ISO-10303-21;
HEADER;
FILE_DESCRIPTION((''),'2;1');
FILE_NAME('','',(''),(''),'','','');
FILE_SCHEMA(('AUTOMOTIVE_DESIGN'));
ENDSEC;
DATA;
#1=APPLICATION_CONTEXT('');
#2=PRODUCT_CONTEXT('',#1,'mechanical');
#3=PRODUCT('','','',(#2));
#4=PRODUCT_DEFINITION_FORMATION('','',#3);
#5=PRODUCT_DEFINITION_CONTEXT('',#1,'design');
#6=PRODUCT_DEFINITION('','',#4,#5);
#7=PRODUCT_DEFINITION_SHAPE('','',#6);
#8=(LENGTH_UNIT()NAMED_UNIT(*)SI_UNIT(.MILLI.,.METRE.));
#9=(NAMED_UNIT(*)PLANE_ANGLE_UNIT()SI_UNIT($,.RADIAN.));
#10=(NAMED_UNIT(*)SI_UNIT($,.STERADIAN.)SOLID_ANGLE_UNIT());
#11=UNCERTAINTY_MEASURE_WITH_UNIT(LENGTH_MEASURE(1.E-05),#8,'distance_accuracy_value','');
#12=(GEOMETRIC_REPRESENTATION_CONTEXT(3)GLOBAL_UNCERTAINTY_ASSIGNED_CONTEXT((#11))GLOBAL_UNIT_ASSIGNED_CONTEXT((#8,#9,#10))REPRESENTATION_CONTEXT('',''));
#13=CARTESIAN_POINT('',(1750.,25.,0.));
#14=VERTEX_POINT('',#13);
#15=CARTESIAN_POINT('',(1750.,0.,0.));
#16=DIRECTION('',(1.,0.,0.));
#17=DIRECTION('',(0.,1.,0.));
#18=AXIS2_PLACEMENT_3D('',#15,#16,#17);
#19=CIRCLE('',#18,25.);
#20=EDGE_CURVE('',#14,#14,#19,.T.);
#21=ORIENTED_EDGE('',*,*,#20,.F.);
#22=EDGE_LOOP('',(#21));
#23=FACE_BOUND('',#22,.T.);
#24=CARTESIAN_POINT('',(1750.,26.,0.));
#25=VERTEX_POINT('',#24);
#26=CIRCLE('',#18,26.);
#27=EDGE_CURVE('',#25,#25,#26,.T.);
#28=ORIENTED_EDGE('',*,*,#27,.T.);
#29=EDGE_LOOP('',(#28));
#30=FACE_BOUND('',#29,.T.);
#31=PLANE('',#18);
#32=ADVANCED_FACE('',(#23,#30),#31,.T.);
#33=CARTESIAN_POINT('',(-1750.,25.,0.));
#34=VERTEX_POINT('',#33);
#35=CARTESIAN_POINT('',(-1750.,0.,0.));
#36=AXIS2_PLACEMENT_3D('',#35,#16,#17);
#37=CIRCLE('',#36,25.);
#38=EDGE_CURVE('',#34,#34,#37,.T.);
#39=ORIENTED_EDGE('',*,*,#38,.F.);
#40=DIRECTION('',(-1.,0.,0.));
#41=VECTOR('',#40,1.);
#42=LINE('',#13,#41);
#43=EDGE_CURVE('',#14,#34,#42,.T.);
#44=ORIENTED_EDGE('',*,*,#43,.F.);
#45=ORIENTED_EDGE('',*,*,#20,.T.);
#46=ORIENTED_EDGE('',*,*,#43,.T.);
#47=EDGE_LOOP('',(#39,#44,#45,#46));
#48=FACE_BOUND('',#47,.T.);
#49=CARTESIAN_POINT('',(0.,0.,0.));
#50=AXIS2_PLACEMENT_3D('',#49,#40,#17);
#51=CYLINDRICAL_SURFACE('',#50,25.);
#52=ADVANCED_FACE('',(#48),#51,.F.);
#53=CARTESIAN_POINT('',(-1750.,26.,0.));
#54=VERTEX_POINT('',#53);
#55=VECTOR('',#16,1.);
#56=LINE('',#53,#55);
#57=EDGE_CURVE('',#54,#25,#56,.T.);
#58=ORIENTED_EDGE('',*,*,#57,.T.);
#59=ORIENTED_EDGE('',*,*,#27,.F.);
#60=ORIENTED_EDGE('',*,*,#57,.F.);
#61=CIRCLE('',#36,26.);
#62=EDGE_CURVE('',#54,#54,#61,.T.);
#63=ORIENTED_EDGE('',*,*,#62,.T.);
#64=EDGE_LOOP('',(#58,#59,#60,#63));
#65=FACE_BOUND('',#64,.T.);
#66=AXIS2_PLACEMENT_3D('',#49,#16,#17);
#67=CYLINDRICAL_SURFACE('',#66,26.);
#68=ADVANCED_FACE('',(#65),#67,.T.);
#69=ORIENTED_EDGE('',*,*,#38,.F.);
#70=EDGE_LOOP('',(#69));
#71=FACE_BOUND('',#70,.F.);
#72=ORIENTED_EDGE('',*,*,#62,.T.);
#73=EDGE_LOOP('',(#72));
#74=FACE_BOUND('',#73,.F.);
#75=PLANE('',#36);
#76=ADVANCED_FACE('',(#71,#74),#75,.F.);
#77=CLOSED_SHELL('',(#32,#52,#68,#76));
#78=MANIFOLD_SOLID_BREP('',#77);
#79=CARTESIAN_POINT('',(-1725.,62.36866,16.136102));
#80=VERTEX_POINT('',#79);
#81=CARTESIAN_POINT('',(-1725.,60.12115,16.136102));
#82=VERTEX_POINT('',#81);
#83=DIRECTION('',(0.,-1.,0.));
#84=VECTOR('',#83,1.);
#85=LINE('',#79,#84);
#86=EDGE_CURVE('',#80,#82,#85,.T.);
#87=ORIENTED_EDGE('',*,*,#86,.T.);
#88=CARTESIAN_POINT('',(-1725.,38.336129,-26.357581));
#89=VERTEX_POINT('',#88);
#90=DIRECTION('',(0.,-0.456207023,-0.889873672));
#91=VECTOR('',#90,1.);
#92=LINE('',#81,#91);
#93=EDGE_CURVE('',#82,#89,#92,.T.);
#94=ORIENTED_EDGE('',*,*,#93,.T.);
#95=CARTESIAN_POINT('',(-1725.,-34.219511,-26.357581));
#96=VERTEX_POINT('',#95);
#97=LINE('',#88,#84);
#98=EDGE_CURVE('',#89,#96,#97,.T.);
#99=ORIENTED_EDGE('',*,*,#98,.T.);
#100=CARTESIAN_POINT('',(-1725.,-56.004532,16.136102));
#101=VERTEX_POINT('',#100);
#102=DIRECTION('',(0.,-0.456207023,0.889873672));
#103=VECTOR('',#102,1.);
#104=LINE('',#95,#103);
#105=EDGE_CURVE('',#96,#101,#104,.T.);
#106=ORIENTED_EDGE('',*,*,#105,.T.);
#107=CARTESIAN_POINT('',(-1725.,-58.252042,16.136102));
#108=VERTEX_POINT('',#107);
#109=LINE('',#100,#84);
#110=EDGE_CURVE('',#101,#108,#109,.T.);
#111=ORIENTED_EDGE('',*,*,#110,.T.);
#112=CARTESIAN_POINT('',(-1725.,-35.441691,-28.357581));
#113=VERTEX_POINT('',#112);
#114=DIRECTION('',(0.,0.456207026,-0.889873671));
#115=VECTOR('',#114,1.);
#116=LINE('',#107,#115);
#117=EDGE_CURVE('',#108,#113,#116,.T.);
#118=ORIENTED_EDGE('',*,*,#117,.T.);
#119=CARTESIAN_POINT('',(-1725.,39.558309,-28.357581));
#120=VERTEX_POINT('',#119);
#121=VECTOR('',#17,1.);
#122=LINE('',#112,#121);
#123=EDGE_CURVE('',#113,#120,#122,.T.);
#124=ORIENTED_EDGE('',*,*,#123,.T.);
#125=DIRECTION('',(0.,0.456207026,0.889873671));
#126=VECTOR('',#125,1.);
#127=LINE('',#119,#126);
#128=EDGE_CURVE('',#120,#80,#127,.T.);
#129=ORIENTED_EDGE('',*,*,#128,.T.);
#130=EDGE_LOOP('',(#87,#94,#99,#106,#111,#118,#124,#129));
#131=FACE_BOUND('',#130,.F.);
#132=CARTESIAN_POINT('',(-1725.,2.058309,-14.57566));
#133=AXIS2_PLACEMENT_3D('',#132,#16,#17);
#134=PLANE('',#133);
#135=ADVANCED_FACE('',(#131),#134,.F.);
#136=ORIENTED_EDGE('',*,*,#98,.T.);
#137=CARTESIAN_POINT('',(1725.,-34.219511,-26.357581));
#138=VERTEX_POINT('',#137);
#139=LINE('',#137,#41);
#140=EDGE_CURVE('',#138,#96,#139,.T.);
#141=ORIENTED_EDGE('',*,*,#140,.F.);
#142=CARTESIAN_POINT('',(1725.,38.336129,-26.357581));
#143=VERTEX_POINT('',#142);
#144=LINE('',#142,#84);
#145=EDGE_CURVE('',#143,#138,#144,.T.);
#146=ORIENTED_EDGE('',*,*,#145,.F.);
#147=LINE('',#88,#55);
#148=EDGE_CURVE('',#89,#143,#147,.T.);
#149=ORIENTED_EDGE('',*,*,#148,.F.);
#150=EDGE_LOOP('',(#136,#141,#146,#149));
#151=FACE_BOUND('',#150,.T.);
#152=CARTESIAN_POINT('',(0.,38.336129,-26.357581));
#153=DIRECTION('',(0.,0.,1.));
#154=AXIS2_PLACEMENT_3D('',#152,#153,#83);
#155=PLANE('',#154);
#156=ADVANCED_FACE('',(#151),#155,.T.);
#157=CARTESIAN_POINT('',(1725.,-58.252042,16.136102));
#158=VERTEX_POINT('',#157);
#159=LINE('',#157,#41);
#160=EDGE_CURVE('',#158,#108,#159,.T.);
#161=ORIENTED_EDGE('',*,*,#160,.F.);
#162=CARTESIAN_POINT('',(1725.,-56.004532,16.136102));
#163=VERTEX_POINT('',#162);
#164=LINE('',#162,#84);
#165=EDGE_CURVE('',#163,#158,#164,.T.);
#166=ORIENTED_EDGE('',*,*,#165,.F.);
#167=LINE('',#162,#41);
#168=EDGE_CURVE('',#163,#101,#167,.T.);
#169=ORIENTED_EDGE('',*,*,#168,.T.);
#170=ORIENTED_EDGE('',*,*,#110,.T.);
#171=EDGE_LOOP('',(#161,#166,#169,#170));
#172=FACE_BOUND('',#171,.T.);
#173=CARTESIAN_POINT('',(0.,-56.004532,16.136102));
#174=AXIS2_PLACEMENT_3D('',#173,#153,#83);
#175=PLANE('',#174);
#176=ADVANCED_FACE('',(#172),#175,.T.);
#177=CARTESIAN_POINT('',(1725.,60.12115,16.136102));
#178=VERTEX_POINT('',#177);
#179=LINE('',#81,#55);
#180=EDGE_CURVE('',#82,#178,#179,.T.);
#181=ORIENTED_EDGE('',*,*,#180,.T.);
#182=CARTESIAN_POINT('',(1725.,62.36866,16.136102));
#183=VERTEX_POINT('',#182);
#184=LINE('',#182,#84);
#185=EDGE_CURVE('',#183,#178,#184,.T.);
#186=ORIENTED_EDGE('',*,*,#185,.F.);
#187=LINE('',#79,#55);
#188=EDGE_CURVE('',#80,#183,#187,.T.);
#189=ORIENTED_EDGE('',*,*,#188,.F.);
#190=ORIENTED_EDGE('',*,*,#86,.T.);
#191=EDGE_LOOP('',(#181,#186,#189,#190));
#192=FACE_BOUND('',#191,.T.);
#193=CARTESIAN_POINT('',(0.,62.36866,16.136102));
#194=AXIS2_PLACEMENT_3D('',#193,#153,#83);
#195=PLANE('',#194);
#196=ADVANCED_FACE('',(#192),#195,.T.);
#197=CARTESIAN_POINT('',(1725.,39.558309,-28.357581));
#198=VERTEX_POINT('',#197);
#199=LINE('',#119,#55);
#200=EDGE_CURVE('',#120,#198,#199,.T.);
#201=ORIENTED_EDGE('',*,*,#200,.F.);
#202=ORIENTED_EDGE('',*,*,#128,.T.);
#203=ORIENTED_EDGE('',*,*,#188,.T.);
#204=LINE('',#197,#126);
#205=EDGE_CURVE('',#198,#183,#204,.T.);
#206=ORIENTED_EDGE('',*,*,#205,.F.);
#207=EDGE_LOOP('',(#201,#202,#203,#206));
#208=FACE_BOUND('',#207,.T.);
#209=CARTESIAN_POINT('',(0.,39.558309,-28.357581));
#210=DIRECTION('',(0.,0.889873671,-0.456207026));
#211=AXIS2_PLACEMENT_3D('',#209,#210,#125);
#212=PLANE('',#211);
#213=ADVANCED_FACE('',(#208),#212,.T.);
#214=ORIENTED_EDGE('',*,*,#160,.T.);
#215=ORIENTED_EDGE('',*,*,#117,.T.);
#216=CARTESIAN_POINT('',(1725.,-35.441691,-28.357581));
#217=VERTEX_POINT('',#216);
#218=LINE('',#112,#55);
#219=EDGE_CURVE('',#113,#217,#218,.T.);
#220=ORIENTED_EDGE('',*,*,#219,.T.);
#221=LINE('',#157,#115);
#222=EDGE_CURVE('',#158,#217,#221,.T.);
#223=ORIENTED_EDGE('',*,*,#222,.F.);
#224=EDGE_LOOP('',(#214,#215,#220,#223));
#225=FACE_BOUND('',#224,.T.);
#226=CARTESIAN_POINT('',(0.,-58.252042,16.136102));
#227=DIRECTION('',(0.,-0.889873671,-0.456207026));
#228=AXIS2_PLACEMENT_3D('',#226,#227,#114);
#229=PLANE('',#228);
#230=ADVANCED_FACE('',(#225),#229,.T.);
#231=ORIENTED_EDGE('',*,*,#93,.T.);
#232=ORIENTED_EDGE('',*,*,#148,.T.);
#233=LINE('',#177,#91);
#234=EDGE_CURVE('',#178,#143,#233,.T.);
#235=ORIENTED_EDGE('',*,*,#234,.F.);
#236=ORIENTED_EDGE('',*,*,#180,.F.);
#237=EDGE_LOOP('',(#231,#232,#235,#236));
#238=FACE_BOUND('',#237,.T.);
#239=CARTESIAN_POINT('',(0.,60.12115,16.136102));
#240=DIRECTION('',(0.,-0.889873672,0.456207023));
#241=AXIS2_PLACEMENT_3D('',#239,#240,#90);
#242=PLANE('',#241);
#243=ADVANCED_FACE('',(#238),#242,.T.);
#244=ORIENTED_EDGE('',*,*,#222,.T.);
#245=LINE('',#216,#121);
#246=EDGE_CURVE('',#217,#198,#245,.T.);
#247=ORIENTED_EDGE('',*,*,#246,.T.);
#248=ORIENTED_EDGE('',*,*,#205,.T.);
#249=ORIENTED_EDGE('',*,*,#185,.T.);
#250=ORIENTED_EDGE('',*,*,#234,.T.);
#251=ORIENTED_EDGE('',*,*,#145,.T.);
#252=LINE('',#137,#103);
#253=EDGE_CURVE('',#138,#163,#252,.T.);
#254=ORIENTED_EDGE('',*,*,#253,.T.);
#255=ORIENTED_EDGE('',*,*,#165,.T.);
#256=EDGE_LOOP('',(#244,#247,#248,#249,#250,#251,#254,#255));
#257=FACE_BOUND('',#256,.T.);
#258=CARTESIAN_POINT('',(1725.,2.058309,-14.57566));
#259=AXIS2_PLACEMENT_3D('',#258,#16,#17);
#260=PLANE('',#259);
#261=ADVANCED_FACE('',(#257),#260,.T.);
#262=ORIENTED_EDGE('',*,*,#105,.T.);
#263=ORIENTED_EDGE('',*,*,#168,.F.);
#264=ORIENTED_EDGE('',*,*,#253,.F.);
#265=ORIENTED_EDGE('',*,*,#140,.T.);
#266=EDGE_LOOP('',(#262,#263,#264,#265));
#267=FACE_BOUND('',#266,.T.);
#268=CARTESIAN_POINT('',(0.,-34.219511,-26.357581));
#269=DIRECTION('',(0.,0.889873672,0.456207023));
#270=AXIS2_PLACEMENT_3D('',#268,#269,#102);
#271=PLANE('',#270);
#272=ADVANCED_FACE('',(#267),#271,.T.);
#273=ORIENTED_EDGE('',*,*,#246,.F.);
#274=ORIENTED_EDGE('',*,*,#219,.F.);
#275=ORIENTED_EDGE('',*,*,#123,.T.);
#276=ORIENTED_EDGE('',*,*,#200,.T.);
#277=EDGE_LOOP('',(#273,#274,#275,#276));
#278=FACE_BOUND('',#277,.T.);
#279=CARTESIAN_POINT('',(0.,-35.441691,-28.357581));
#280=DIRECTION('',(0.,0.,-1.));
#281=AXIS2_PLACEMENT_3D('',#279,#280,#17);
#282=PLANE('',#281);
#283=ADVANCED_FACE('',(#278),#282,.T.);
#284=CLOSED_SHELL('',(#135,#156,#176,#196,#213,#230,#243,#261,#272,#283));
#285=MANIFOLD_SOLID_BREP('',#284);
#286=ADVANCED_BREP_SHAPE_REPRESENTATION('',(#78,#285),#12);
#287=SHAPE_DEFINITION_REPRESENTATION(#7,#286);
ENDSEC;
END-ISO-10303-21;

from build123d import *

# Parameters (mm, degrees)
F1_DEPTH = 1725
F2_R     = 26
F2_R_2   = 25
F3_DEPTH = 1750


with BuildPart() as f1:
    # F0 (on Right) → F1 (new body, symmetric)
    with BuildSketch(Plane.YZ):
        Polygon((-58.252042, 16.136102), (-35.441691, -28.357581), (39.558309, -28.357581), (62.36866, 16.136102), (60.12115, 16.136102), (38.336129, -26.357581), (-34.219511, -26.357581), (-56.004532, 16.136102), align=None)
    extrude(amount=F1_DEPTH, both=True)


with BuildPart() as f3:
    # F2 (on Right) → F3 (new body, symmetric)
    with BuildSketch(Plane.YZ):
        Circle(F2_R)
        Circle(F2_R_2, mode=Mode.SUBTRACT)
    extrude(amount=F3_DEPTH, both=True)


solid = Compound([f1.part, f3.part])
